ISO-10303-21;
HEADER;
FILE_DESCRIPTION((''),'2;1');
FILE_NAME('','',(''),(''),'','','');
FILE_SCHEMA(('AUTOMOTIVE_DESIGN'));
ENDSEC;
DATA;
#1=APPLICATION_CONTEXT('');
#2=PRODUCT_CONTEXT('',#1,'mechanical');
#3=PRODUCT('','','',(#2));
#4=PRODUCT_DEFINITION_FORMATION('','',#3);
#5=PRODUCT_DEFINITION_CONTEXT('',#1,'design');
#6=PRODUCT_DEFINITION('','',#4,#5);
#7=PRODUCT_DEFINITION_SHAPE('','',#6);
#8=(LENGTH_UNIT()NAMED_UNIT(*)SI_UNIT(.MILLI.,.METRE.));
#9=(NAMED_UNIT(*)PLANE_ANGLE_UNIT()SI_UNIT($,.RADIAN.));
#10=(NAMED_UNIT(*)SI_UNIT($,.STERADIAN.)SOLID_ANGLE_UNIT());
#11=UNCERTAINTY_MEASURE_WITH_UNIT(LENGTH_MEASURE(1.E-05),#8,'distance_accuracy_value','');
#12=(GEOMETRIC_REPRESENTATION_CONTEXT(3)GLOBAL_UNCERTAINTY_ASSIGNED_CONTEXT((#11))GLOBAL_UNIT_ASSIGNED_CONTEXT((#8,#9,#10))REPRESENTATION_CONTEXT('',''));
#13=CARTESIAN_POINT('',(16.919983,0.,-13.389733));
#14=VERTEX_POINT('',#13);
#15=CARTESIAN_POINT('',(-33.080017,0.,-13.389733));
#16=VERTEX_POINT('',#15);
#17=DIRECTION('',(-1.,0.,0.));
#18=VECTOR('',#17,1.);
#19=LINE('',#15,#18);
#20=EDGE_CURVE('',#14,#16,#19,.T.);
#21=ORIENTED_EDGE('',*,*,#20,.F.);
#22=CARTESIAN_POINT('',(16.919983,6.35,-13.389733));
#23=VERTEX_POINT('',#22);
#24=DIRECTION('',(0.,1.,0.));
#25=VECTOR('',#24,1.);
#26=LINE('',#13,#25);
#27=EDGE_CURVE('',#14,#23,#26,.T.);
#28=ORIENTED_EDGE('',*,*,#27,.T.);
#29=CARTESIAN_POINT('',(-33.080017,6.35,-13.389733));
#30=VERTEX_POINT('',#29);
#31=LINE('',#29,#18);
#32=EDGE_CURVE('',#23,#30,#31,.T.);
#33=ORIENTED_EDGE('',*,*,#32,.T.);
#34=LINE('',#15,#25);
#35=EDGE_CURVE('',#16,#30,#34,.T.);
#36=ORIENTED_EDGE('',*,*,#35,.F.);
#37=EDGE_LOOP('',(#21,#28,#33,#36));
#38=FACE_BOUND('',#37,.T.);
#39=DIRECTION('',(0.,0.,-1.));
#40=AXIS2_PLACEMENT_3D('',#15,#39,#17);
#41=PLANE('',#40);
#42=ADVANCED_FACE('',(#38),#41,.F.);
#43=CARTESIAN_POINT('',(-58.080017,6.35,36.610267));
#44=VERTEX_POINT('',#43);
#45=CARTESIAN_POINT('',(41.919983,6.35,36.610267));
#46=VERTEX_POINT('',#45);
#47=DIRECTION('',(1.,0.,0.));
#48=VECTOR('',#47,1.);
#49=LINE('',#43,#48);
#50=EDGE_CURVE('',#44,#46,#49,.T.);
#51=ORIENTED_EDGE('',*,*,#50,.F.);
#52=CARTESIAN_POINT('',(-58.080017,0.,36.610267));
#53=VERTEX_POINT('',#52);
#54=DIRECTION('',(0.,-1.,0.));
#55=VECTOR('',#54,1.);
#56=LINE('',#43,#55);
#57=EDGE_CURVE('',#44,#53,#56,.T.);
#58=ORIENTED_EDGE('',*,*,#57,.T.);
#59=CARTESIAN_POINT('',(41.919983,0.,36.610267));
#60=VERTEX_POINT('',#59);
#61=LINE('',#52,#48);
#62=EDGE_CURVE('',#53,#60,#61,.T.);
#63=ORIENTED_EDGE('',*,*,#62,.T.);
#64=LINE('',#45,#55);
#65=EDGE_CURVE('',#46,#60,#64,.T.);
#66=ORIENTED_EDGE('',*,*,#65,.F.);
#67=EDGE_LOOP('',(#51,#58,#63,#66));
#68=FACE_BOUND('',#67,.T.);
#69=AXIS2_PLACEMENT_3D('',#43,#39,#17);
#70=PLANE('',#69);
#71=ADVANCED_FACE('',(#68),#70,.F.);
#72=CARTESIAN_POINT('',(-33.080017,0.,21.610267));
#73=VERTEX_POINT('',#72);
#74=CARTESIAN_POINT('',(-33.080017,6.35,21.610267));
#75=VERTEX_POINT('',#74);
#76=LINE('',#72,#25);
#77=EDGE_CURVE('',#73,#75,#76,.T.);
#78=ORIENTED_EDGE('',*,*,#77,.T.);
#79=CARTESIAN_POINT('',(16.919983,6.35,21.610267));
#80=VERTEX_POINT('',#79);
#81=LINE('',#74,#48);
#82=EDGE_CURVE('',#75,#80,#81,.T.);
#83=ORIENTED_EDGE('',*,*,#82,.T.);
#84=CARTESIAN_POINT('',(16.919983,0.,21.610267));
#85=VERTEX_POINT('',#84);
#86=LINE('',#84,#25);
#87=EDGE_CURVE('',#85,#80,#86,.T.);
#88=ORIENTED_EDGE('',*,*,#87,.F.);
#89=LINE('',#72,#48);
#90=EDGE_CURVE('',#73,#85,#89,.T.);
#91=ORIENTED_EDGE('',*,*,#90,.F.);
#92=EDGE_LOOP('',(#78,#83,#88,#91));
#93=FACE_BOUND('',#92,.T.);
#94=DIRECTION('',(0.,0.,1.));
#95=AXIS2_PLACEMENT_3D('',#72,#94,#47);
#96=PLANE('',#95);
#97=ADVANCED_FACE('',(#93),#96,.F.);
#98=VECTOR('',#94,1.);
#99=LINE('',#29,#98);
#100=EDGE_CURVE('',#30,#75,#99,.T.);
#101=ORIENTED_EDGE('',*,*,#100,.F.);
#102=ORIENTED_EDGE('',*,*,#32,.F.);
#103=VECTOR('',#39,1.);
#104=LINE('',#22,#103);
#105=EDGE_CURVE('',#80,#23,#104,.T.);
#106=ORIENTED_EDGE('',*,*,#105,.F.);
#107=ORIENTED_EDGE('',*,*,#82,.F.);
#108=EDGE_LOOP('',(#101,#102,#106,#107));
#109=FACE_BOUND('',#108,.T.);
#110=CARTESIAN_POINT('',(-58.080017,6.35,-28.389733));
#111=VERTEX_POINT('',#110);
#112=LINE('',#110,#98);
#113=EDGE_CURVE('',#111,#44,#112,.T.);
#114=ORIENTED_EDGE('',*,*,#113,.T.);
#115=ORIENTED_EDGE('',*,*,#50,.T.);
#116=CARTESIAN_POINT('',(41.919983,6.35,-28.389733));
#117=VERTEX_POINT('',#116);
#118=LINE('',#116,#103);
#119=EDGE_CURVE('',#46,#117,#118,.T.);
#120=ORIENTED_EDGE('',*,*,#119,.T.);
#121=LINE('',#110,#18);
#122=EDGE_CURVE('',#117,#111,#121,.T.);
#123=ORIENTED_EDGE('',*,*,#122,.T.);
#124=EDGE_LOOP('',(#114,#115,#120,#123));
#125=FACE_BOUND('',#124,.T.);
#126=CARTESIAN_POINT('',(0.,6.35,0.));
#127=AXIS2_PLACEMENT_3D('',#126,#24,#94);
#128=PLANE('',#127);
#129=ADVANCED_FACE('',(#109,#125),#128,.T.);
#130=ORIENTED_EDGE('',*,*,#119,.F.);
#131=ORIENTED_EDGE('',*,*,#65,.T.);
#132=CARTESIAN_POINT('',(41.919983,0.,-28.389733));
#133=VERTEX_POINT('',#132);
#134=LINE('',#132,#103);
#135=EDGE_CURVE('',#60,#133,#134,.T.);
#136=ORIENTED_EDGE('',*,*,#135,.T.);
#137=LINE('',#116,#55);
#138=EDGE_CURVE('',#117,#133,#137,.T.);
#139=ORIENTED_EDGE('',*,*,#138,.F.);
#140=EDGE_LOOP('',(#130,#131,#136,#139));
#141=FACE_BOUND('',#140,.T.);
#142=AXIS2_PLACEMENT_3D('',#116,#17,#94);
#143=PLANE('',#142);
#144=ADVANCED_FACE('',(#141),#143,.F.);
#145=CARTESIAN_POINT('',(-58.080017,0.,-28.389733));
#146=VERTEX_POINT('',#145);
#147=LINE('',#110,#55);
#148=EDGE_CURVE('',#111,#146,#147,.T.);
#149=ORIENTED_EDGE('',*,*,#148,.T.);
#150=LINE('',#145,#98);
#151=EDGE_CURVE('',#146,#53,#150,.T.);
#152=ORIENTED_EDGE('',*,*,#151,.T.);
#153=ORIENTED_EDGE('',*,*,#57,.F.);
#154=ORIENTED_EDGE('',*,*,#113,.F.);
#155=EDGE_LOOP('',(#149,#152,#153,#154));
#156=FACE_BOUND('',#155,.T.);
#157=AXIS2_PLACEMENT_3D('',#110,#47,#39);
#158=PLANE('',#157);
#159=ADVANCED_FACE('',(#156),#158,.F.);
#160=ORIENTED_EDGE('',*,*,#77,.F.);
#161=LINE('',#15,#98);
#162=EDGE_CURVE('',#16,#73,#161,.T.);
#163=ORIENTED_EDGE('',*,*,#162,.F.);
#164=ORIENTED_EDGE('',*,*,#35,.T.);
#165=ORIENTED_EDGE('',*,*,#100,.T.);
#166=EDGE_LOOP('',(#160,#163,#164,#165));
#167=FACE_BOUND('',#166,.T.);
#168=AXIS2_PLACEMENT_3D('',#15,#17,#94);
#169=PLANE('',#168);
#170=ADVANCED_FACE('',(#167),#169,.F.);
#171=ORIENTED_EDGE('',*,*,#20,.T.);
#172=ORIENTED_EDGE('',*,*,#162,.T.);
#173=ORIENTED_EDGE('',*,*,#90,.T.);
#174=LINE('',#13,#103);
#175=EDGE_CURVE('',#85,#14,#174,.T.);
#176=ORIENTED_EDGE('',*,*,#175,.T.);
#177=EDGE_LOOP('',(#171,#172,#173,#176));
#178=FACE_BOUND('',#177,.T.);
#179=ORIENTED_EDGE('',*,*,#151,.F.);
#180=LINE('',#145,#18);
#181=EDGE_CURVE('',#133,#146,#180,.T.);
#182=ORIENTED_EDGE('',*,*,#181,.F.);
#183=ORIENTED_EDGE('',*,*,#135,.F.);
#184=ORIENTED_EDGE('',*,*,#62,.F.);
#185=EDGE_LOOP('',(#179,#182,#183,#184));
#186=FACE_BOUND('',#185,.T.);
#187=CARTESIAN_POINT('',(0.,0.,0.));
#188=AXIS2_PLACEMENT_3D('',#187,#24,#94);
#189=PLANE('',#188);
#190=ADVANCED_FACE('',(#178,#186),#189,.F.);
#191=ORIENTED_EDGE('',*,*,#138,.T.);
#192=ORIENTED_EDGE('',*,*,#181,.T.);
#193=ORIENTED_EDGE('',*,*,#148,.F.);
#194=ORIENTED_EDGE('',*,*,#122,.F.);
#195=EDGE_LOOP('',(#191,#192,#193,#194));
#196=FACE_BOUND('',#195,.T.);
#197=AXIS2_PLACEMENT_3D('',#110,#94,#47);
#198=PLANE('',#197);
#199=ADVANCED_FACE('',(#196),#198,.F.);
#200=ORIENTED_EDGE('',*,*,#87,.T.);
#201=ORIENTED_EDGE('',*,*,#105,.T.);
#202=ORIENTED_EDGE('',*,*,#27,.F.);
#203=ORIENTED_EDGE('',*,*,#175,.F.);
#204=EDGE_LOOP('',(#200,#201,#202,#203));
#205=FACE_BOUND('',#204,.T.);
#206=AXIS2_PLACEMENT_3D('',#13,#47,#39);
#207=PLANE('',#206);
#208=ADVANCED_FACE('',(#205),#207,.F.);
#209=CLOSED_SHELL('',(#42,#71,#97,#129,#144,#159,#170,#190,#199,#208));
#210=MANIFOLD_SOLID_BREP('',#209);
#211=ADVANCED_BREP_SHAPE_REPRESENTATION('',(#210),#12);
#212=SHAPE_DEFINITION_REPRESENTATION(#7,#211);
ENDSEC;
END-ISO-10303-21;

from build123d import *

# Parameters (mm, degrees)
SKETCH1_W           = 100
SKETCH1_H           = 65
BOSS_EXTRUDE1_DEPTH = 6.35
SKETCH2_W           = 50
SKETCH2_H           = 35
CUT_EXTRUDE1_DEPTH  = 6.35


with BuildPart() as part:
    # Sketch1 → Boss-Extrude1 (new body)
    with BuildSketch(Plane(origin=(0, 0, 0), x_dir=(1, 0, 0), z_dir=(0, 1, 0))):
        with Locations((-8.080017258, -4.110267289)):
            Rectangle(SKETCH1_W, SKETCH1_H)
    extrude(amount=BOSS_EXTRUDE1_DEPTH)

    # Sketch2 → Cut-Extrude1 (cut)
    with BuildSketch(Plane(origin=(0, 6.35, 0), x_dir=(1, 0, 0), z_dir=(0, 1, 0))):
        with Locations((-8.080017258, -4.110267289)):
            Rectangle(SKETCH2_W, SKETCH2_H)
    extrude(amount=-CUT_EXTRUDE1_DEPTH, mode=Mode.SUBTRACT)


solid = part.part
